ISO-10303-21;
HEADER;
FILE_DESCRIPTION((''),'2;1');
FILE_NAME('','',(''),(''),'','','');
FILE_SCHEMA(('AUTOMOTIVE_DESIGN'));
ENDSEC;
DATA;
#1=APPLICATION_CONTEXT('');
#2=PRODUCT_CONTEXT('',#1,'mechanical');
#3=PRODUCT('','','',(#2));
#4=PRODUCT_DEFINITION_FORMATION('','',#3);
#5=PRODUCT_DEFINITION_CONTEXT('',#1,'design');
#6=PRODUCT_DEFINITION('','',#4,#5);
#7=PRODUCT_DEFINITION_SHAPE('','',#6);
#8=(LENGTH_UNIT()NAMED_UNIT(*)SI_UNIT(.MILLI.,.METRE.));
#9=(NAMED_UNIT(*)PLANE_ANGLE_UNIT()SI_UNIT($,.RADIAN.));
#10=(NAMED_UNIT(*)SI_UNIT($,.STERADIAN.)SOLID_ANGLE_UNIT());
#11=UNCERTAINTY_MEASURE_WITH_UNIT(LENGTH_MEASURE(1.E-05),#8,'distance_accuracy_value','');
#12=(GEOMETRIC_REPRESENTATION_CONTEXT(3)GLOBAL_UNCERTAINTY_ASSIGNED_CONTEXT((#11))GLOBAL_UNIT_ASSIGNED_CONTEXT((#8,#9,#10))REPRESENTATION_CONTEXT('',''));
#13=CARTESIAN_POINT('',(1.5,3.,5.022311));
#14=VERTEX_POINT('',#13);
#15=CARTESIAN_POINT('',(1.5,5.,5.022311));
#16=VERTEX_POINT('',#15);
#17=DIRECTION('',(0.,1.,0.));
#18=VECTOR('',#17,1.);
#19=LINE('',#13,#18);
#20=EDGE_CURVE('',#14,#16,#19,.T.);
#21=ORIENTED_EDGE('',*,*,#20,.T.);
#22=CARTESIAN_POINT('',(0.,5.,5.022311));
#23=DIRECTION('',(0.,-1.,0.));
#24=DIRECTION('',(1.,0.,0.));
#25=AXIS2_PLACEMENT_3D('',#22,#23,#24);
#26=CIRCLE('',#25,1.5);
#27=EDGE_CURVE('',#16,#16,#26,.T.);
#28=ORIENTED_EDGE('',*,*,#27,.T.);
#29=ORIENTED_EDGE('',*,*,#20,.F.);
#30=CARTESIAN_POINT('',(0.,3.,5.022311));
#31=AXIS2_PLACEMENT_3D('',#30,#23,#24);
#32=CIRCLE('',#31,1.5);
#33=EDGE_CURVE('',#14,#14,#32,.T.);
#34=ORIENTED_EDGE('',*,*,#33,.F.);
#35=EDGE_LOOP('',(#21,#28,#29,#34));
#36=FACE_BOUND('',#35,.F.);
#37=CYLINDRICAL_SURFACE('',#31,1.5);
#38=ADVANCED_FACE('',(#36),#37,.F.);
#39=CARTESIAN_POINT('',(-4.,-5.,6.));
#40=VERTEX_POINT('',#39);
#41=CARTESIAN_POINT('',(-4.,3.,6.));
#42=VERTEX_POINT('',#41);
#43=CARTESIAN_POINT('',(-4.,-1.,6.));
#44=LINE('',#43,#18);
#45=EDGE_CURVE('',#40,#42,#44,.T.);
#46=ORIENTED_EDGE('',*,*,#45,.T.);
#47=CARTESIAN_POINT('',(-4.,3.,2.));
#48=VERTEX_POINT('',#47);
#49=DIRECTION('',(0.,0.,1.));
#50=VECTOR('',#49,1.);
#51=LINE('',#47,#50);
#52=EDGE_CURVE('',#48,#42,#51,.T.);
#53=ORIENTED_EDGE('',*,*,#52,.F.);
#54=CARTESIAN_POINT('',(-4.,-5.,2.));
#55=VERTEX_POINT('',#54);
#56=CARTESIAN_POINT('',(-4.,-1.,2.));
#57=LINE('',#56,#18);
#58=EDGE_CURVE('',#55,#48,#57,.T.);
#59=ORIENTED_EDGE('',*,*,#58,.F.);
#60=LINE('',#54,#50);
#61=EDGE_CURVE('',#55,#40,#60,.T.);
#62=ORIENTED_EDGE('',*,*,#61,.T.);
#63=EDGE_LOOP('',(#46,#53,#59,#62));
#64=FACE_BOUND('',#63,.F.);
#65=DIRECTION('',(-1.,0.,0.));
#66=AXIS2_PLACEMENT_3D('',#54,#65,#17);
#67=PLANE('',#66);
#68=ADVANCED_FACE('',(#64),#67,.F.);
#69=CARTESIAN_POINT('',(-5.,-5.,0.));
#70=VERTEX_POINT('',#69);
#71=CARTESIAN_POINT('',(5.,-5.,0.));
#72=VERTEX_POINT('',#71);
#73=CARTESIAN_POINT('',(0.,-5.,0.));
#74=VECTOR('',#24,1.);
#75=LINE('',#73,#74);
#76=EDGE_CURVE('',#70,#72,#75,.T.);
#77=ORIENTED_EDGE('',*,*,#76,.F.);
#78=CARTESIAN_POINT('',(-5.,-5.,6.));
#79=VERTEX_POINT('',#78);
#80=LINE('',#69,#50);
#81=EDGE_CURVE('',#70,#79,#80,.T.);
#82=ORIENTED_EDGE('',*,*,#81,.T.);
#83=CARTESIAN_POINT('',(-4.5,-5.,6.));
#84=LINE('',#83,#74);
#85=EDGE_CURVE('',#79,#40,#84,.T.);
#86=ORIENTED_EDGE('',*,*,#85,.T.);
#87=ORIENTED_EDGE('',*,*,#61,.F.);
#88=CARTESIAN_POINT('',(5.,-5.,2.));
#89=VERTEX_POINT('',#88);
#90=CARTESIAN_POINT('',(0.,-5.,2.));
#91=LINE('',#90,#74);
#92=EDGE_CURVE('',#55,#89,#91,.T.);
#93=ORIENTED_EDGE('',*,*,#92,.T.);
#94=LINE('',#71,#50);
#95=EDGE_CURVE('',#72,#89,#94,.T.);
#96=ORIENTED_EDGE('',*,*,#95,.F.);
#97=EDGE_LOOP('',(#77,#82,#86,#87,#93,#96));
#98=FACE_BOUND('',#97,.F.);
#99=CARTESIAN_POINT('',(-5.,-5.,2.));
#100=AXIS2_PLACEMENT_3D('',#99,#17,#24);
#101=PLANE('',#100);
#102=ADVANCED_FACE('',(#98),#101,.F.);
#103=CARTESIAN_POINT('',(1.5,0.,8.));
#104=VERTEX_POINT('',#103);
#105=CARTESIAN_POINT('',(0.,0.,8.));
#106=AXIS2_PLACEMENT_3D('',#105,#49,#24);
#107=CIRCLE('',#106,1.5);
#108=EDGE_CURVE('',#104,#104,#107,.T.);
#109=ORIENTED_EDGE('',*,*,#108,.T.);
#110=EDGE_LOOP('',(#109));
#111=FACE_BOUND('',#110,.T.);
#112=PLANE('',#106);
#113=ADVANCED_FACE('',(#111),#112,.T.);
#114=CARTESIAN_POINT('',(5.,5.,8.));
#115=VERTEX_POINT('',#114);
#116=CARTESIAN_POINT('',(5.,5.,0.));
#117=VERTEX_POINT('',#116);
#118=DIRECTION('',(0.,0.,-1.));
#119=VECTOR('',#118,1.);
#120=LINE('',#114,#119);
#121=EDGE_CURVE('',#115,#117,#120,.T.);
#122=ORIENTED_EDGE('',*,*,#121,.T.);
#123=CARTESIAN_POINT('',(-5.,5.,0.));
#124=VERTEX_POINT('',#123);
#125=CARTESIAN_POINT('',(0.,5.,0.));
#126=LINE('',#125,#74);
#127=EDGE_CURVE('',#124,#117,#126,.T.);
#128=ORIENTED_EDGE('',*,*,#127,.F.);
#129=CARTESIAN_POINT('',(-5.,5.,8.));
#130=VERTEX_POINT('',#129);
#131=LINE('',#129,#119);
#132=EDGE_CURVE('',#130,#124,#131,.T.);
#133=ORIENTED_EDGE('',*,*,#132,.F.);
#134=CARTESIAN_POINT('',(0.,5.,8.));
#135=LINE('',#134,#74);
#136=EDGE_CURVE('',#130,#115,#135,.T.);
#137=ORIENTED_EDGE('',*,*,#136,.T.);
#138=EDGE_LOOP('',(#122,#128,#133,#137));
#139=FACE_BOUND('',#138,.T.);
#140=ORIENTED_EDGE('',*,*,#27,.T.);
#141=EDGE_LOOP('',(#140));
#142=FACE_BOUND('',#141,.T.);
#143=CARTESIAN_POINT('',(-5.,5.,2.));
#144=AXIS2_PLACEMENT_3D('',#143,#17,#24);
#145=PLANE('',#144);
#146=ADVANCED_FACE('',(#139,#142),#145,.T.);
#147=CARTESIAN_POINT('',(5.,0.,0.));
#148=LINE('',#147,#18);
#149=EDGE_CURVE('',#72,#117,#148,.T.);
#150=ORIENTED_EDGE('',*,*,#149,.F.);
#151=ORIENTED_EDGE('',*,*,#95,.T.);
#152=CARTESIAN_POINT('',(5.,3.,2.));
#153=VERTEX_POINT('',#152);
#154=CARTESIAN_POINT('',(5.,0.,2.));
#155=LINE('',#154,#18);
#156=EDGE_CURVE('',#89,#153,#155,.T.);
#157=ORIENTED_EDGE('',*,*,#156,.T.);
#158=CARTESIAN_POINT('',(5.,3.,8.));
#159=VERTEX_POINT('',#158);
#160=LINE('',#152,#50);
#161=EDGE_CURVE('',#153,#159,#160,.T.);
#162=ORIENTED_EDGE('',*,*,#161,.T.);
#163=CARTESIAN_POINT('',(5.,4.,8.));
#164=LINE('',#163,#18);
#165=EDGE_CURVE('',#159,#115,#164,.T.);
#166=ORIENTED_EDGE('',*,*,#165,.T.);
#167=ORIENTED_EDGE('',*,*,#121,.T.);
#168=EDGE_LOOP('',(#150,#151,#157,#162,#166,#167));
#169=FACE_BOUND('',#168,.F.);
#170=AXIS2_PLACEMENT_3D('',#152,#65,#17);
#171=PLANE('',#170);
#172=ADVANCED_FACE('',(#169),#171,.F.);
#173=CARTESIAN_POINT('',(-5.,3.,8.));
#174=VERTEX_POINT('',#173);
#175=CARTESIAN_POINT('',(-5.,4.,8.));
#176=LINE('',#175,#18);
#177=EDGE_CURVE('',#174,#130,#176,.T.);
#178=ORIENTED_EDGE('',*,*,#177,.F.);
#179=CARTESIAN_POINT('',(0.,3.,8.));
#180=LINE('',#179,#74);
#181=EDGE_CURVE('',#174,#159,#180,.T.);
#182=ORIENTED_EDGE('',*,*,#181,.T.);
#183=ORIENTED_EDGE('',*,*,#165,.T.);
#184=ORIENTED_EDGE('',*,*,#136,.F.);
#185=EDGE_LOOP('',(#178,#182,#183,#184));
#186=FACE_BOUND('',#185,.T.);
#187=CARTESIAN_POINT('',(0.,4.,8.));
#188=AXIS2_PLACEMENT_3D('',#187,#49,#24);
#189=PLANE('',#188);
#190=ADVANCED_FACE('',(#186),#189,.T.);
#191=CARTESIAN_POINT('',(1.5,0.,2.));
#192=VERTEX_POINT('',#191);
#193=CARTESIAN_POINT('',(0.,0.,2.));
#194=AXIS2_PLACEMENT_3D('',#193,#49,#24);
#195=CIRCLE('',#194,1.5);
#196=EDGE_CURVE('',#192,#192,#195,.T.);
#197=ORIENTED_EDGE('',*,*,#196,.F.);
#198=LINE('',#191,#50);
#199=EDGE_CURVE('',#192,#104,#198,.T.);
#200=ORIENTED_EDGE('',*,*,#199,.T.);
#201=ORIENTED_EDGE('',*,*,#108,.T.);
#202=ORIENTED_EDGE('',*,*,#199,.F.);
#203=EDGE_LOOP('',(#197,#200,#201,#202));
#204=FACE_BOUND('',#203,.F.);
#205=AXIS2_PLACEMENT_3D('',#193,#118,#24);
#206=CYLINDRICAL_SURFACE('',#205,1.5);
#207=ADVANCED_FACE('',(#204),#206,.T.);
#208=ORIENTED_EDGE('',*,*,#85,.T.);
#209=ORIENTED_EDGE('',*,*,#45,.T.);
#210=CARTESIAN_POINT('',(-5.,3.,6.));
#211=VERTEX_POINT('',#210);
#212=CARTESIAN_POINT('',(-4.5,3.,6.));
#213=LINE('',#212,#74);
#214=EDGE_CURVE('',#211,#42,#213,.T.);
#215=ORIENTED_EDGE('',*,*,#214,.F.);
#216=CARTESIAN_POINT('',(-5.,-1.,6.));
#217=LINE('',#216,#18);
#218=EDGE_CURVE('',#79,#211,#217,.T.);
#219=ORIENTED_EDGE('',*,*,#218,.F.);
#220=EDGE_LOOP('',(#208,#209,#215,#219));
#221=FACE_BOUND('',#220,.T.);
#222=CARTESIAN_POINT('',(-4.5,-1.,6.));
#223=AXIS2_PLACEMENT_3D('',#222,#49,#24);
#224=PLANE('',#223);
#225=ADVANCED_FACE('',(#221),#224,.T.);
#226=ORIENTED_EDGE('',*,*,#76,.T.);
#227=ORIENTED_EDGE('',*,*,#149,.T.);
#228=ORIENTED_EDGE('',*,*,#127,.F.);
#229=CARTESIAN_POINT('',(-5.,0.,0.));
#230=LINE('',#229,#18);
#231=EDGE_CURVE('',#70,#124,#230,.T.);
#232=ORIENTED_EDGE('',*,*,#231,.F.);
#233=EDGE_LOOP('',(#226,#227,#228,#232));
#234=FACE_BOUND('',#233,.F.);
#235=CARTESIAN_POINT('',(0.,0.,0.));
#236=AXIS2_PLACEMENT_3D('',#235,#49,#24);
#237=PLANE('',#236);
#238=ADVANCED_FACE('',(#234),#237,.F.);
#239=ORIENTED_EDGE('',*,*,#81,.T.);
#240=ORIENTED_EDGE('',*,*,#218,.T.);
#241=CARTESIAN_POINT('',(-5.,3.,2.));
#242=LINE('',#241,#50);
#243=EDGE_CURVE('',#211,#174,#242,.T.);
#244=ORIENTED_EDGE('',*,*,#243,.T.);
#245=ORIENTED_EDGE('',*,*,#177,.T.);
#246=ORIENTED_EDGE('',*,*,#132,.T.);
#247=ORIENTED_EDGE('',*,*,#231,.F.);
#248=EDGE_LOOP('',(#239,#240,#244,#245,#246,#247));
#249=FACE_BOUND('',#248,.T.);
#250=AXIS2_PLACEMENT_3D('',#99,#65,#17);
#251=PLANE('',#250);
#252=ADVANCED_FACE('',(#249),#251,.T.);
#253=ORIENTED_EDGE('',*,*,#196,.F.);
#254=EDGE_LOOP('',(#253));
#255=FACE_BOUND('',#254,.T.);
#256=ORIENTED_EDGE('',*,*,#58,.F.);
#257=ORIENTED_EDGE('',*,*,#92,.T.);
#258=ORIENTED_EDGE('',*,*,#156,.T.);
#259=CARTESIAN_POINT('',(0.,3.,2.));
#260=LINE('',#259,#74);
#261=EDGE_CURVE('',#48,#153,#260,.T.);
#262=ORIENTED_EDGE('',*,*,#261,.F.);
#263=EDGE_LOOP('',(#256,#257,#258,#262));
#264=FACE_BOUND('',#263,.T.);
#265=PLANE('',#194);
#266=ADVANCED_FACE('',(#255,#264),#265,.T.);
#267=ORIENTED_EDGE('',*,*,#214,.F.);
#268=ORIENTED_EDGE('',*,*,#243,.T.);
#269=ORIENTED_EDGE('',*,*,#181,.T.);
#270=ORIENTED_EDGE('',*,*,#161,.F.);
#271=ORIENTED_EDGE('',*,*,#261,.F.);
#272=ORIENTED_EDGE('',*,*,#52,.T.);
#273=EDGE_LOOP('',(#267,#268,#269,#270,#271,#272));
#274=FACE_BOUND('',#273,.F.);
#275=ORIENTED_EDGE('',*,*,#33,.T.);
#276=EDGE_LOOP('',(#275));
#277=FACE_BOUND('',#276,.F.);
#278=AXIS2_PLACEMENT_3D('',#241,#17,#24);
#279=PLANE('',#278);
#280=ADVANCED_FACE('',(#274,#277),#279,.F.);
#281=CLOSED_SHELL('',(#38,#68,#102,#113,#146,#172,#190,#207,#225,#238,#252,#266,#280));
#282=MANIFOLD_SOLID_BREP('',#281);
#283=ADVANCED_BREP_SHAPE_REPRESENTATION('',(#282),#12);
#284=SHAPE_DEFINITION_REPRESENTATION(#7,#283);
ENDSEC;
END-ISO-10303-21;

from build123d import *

# Parameters (mm, degrees)
F0_W     = 10
F0_H     = 10
F1_DEPTH = 2
F2_W     = 10
F2_H     = 2
F3_DEPTH = 6
F4_R     = 1.5
F5_DEPTH = 25
F6_R     = 1.5
F7_DEPTH = 6
F8_W     = 1
F8_H     = 8
F9_DEPTH = 4


with BuildPart() as f1:
    # F0 (on Top) → F1 (new body)
    with BuildSketch(Plane.XY):
        Rectangle(F0_W, F0_H)
    extrude(amount=F1_DEPTH)

    # F2 (on face) → F3 (join)
    with BuildSketch(Plane.XY.offset(2)):
        with Locations((0, 4)):
            Rectangle(F2_W, F2_H)
    extrude(amount=F3_DEPTH)

    # F4 (on face) → F5 (cut)
    with BuildSketch(Plane.XZ.offset(-3)):
        with Locations((0, 5.022311)):
            Circle(F4_R)
    extrude(amount=-F5_DEPTH, mode=Mode.SUBTRACT)

    # F6 (on face) → F7 (join)
    with BuildSketch(Plane.XY.offset(2)):
        Circle(F6_R)
    extrude(amount=F7_DEPTH)

    # F8 (on face) → F9 (join)
    with BuildSketch(Plane.XY.offset(2)):
        with Locations((-4.5, -1)):
            Rectangle(F8_W, F8_H)
    extrude(amount=F9_DEPTH)


solid = f1.part
